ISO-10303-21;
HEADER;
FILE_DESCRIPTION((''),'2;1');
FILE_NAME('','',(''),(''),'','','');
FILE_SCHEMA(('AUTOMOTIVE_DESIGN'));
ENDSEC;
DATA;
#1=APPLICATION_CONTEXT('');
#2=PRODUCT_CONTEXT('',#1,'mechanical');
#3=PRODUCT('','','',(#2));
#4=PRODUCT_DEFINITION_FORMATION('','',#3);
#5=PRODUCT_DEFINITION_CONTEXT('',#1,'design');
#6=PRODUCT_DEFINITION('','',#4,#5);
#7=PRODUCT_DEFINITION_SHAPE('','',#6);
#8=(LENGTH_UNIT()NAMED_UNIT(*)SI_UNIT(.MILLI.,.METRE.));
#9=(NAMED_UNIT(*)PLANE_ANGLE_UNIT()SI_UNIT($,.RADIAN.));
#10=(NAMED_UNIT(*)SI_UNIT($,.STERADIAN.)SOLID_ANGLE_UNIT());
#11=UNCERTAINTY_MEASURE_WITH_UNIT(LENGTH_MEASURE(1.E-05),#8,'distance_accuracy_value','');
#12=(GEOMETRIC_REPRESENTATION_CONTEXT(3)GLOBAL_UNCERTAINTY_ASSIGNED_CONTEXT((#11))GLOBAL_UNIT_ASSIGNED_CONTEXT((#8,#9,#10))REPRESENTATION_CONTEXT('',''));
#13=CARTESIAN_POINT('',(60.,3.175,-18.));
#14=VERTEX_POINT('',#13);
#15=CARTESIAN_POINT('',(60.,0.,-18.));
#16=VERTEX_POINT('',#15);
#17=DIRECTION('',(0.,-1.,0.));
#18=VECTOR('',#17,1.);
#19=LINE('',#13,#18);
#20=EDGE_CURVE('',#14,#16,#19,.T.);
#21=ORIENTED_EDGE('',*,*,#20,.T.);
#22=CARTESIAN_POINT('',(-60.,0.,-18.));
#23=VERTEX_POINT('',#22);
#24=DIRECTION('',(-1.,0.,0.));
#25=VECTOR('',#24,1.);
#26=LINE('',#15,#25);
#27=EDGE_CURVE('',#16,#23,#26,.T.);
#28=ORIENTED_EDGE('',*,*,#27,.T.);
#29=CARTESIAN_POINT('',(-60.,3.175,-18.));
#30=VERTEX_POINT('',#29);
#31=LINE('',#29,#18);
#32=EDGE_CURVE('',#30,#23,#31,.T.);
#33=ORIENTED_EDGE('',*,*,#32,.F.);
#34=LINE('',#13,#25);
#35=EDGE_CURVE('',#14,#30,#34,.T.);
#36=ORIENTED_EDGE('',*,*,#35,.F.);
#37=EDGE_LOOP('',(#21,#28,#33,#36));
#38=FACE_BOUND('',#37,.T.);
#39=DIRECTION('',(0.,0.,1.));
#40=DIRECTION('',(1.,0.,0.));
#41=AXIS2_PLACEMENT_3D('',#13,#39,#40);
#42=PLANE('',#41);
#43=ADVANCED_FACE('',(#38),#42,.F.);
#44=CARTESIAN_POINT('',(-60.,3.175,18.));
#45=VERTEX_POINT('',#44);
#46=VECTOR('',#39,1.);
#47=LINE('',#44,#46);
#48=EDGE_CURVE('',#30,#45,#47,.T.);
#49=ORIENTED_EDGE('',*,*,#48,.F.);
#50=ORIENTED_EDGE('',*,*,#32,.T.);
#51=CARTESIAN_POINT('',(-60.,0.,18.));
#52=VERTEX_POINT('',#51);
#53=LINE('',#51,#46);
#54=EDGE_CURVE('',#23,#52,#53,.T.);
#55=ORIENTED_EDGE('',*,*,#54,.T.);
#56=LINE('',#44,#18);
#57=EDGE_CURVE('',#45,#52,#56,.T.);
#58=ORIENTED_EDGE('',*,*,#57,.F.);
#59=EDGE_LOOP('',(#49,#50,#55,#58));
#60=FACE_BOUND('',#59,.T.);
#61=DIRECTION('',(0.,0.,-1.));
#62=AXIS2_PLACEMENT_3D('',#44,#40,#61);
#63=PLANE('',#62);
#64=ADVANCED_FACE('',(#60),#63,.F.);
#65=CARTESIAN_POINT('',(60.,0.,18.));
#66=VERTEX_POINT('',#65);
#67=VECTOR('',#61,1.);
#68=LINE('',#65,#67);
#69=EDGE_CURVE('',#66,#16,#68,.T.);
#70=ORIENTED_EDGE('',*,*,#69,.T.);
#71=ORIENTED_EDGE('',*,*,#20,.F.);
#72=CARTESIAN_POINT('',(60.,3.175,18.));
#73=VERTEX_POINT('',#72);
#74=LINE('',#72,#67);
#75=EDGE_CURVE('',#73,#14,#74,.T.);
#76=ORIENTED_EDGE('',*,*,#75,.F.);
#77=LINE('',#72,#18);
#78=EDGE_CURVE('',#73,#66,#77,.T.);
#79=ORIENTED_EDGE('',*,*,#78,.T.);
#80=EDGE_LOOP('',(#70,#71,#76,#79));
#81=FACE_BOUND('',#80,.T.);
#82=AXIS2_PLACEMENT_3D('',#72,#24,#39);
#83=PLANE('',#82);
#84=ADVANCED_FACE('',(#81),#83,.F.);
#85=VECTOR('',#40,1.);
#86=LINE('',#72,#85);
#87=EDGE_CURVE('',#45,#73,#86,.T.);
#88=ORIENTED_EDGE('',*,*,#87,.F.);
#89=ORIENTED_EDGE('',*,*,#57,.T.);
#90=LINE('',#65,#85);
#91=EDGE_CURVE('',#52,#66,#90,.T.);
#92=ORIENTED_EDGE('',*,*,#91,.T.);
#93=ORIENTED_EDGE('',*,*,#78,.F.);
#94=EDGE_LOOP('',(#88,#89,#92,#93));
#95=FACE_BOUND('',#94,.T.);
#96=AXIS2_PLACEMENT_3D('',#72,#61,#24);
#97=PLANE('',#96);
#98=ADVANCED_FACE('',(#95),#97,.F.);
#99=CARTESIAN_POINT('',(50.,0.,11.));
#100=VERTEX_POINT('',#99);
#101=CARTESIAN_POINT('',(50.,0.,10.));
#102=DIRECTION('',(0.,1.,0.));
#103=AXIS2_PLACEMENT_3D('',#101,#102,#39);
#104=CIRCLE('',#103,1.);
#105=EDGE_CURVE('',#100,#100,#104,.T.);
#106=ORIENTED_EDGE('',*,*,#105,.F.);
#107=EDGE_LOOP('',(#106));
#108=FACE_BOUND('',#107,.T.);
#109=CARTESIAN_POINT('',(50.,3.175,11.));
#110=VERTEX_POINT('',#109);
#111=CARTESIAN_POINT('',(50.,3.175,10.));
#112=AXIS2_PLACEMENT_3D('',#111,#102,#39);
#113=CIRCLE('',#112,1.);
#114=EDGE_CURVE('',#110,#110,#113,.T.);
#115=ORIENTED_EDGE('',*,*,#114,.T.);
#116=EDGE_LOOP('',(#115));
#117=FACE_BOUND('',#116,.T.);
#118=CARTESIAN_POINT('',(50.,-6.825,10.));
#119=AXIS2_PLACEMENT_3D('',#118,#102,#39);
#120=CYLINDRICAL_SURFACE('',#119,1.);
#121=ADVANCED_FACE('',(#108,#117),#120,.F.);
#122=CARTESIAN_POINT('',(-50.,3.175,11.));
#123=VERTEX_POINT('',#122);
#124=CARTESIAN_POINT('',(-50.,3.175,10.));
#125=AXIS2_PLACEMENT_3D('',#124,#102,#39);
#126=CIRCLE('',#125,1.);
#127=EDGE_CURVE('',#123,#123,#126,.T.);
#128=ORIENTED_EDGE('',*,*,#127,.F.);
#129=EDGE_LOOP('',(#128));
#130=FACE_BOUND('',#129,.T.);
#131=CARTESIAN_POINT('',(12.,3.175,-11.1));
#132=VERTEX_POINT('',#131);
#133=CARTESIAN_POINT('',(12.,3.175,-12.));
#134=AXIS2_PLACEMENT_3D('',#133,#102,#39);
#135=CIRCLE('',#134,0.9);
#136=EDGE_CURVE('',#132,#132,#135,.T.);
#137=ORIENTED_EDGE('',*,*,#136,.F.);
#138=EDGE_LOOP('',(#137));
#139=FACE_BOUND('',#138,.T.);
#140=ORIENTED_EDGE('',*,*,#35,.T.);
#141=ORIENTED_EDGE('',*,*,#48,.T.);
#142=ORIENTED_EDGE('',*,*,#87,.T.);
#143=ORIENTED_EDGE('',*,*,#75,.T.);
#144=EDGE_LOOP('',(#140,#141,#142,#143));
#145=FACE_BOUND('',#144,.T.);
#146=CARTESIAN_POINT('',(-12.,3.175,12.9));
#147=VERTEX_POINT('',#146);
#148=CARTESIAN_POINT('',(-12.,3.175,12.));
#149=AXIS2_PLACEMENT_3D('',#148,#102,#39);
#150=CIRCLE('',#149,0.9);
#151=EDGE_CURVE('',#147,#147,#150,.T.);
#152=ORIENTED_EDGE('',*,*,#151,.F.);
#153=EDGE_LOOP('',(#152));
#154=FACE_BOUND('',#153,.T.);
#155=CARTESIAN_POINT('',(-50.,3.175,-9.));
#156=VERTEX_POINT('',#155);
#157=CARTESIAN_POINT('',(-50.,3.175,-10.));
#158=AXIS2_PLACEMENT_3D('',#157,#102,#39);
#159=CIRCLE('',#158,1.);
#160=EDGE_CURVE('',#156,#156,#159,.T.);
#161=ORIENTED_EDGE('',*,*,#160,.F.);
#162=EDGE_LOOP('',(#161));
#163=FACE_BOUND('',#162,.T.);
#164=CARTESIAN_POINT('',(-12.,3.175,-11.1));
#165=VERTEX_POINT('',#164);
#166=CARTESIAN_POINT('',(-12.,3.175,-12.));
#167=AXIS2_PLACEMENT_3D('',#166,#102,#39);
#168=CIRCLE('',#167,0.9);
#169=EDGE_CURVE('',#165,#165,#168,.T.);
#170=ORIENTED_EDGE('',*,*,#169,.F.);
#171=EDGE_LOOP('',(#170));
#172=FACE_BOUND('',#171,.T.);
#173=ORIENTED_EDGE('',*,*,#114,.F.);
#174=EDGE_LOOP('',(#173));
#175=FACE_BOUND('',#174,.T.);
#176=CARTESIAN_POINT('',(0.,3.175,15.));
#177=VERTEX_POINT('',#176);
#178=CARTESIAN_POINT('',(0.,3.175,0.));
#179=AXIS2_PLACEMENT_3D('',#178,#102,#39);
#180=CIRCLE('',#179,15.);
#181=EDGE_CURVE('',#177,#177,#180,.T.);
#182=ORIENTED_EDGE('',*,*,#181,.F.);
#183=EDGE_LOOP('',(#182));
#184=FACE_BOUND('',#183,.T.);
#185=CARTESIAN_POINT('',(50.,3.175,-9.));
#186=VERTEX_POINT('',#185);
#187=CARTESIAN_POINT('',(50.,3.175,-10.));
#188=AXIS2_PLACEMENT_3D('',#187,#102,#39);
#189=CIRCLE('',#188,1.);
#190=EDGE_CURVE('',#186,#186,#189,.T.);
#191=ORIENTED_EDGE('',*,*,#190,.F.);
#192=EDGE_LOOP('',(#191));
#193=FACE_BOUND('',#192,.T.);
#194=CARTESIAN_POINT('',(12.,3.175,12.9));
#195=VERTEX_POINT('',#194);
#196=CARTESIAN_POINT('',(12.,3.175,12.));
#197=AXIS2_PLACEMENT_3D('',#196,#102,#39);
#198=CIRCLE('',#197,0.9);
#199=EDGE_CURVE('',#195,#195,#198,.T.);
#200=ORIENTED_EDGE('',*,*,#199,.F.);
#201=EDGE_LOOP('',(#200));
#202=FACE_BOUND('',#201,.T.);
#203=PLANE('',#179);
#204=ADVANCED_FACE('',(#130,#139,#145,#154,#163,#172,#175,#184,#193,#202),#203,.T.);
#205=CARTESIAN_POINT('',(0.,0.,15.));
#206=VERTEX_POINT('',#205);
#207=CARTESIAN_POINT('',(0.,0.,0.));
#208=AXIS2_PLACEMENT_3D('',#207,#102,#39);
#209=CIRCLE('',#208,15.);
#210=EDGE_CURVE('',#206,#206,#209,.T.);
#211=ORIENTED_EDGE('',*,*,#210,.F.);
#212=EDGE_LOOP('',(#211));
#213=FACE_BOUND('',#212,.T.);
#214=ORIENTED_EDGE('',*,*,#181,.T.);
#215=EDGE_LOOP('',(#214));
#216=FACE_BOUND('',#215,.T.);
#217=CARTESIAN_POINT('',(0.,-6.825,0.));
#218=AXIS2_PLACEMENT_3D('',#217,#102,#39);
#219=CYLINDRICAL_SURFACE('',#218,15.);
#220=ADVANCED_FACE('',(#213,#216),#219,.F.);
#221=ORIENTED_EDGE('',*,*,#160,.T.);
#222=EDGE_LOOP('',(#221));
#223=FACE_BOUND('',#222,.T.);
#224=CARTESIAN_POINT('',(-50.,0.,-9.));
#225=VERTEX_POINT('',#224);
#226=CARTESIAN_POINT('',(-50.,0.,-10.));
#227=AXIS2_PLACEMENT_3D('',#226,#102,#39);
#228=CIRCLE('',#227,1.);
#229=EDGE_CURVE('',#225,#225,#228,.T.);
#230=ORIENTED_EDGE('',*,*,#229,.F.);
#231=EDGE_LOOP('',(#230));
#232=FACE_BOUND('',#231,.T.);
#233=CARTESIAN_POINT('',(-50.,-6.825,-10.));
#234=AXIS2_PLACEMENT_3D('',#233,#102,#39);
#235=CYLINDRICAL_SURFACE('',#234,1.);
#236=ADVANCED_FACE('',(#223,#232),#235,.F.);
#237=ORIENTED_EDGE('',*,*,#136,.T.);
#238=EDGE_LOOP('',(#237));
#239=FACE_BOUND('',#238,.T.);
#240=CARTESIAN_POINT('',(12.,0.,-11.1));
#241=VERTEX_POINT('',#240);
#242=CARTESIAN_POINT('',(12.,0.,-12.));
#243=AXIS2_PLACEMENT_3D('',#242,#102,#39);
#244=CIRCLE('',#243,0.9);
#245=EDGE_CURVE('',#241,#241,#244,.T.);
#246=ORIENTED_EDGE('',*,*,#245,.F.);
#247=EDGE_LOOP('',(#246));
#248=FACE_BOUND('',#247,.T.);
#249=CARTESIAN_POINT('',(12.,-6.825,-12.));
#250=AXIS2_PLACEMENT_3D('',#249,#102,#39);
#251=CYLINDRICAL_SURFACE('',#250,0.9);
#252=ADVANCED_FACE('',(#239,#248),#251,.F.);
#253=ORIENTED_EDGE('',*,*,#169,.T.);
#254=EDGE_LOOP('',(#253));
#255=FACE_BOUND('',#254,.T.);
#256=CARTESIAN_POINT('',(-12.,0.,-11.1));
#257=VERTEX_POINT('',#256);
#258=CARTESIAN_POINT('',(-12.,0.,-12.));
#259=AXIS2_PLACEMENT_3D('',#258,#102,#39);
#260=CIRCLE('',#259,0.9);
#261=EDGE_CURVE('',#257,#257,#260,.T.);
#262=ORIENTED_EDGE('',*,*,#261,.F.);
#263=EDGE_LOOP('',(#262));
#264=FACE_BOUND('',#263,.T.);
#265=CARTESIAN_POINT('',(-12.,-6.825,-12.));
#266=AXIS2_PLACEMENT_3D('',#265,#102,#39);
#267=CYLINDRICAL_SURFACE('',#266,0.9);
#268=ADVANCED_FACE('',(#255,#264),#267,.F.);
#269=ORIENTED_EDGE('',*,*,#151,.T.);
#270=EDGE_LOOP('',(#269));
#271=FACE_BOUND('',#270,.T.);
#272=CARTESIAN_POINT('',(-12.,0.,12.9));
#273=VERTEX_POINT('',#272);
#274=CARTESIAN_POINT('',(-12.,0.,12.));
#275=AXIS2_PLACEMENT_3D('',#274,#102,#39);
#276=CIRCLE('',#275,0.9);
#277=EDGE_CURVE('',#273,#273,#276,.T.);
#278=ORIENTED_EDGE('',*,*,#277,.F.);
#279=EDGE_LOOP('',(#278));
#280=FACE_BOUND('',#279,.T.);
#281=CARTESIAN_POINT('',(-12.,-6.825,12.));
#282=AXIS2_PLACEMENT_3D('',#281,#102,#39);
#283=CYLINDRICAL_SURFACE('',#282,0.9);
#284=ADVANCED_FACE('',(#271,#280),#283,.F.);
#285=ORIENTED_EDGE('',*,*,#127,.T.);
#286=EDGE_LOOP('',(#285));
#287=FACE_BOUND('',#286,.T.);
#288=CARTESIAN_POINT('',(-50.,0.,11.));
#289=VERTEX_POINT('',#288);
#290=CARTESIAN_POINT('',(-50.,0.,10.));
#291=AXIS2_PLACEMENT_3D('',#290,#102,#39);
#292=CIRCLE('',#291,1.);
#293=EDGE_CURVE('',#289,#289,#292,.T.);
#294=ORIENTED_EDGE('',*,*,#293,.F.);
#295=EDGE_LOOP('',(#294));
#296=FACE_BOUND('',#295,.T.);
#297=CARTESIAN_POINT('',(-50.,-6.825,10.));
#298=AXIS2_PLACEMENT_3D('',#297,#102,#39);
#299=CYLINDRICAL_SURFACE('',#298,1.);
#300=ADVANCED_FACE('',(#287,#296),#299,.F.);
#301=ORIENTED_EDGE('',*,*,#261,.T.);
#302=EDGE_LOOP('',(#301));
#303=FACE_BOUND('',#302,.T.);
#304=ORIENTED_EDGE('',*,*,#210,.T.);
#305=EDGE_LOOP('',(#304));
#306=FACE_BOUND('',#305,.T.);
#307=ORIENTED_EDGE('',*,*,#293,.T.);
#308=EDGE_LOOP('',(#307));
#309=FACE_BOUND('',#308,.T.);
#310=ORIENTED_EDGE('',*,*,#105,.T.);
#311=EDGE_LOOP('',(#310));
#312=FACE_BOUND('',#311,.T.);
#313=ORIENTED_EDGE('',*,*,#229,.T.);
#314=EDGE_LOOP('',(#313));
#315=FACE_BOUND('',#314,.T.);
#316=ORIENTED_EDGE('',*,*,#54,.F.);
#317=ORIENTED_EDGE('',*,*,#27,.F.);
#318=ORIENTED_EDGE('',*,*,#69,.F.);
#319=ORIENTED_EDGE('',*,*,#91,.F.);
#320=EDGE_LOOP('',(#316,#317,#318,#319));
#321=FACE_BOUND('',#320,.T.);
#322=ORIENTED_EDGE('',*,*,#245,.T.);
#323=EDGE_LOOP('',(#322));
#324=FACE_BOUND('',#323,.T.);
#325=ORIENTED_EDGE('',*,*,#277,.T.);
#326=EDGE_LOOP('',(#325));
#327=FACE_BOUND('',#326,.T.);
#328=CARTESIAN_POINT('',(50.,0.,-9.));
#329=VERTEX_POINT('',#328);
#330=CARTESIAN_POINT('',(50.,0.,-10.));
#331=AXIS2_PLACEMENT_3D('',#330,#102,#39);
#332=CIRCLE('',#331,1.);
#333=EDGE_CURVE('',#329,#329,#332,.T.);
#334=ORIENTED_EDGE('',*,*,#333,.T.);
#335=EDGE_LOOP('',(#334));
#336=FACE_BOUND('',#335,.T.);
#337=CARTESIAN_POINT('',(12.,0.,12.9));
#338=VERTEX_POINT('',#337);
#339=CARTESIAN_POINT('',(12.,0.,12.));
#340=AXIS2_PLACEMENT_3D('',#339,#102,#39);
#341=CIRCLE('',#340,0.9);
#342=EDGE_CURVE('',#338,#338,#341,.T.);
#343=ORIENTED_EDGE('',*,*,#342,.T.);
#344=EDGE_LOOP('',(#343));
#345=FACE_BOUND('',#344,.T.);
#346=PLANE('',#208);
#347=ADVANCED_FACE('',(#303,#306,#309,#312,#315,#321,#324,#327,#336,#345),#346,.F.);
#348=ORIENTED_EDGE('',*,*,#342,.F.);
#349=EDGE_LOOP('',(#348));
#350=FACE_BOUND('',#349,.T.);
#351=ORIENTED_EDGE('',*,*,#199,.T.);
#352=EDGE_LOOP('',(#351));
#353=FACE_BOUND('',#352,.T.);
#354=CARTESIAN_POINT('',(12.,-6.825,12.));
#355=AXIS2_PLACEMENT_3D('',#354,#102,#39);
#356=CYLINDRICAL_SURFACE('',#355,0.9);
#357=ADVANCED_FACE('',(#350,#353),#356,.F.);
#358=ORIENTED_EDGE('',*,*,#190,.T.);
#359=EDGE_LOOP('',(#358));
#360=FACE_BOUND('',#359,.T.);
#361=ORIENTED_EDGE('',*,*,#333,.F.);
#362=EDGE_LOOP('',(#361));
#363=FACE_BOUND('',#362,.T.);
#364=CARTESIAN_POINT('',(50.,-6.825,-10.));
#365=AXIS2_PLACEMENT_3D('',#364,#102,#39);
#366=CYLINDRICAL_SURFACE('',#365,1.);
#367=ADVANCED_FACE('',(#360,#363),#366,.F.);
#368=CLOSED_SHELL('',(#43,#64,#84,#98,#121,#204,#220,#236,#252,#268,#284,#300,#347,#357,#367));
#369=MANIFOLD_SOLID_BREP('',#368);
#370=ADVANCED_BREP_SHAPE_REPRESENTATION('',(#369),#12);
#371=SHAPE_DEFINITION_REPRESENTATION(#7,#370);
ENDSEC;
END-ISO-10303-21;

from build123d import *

# Parameters (mm, degrees)
SKETCH1_W           = 120
SKETCH1_H           = 36
BOSS_EXTRUDE1_DEPTH = 3.175
SKETCH2_R           = 15
CUT_EXTRUDE1_DEPTH  = 10
SKETCH3_R           = 0.9
CUT_EXTRUDE2_DEPTH  = 10
SKETCH4_R           = 1
CUT_EXTRUDE3_DEPTH  = 10


with BuildPart() as part:
    # Sketch1 → Boss-Extrude1 (new body)
    with BuildSketch(Plane(origin=(0, 0, 0), x_dir=(1, 0, 0), z_dir=(0, 1, 0))):
        Rectangle(SKETCH1_W, SKETCH1_H)
    extrude(amount=BOSS_EXTRUDE1_DEPTH)

    # Sketch2 → Cut-Extrude1 (cut)
    with BuildSketch(Plane(origin=(0, 3.175, 0), x_dir=(1, 0, 0), z_dir=(0, 1, 0))):
        with Locations(Location((0, 0, 0), (0, 0, 270))):
            Circle(SKETCH2_R)
    extrude(amount=-CUT_EXTRUDE1_DEPTH, mode=Mode.SUBTRACT)

    # Sketch3 → Cut-Extrude2 (cut)
    with BuildSketch(Plane(origin=(0, 3.175, 0), x_dir=(1, 0, 0), z_dir=(0, 1, 0))):
        with Locations(Location((12, 12, 0), (0, 0, 270))):
            Circle(SKETCH3_R)
        with Locations(Location((-12, 12, 0), (0, 0, 270))):
            Circle(SKETCH3_R)
        with Locations(Location((12, -12, 0), (0, 0, 270))):
            Circle(SKETCH3_R)
        with Locations(Location((-12, -12, 0), (0, 0, 270))):
            Circle(SKETCH3_R)
    extrude(amount=-CUT_EXTRUDE2_DEPTH, mode=Mode.SUBTRACT)

    # Sketch4 → Cut-Extrude3 (cut)
    with BuildSketch(Plane(origin=(0, 3.175, 0), x_dir=(1, 0, 0), z_dir=(0, 1, 0))):
        with Locations(Location((-50, 10, 0), (0, 0, 270))):
            Circle(SKETCH4_R)
        with Locations(Location((50, 10, 0), (0, 0, 270))):
            Circle(SKETCH4_R)
        with Locations(Location((50, -10, 0), (0, 0, 270))):
            Circle(SKETCH4_R)
        with Locations(Location((-50, -10, 0), (0, 0, 270))):
            Circle(SKETCH4_R)
    extrude(amount=-CUT_EXTRUDE3_DEPTH, mode=Mode.SUBTRACT)


solid = part.part
